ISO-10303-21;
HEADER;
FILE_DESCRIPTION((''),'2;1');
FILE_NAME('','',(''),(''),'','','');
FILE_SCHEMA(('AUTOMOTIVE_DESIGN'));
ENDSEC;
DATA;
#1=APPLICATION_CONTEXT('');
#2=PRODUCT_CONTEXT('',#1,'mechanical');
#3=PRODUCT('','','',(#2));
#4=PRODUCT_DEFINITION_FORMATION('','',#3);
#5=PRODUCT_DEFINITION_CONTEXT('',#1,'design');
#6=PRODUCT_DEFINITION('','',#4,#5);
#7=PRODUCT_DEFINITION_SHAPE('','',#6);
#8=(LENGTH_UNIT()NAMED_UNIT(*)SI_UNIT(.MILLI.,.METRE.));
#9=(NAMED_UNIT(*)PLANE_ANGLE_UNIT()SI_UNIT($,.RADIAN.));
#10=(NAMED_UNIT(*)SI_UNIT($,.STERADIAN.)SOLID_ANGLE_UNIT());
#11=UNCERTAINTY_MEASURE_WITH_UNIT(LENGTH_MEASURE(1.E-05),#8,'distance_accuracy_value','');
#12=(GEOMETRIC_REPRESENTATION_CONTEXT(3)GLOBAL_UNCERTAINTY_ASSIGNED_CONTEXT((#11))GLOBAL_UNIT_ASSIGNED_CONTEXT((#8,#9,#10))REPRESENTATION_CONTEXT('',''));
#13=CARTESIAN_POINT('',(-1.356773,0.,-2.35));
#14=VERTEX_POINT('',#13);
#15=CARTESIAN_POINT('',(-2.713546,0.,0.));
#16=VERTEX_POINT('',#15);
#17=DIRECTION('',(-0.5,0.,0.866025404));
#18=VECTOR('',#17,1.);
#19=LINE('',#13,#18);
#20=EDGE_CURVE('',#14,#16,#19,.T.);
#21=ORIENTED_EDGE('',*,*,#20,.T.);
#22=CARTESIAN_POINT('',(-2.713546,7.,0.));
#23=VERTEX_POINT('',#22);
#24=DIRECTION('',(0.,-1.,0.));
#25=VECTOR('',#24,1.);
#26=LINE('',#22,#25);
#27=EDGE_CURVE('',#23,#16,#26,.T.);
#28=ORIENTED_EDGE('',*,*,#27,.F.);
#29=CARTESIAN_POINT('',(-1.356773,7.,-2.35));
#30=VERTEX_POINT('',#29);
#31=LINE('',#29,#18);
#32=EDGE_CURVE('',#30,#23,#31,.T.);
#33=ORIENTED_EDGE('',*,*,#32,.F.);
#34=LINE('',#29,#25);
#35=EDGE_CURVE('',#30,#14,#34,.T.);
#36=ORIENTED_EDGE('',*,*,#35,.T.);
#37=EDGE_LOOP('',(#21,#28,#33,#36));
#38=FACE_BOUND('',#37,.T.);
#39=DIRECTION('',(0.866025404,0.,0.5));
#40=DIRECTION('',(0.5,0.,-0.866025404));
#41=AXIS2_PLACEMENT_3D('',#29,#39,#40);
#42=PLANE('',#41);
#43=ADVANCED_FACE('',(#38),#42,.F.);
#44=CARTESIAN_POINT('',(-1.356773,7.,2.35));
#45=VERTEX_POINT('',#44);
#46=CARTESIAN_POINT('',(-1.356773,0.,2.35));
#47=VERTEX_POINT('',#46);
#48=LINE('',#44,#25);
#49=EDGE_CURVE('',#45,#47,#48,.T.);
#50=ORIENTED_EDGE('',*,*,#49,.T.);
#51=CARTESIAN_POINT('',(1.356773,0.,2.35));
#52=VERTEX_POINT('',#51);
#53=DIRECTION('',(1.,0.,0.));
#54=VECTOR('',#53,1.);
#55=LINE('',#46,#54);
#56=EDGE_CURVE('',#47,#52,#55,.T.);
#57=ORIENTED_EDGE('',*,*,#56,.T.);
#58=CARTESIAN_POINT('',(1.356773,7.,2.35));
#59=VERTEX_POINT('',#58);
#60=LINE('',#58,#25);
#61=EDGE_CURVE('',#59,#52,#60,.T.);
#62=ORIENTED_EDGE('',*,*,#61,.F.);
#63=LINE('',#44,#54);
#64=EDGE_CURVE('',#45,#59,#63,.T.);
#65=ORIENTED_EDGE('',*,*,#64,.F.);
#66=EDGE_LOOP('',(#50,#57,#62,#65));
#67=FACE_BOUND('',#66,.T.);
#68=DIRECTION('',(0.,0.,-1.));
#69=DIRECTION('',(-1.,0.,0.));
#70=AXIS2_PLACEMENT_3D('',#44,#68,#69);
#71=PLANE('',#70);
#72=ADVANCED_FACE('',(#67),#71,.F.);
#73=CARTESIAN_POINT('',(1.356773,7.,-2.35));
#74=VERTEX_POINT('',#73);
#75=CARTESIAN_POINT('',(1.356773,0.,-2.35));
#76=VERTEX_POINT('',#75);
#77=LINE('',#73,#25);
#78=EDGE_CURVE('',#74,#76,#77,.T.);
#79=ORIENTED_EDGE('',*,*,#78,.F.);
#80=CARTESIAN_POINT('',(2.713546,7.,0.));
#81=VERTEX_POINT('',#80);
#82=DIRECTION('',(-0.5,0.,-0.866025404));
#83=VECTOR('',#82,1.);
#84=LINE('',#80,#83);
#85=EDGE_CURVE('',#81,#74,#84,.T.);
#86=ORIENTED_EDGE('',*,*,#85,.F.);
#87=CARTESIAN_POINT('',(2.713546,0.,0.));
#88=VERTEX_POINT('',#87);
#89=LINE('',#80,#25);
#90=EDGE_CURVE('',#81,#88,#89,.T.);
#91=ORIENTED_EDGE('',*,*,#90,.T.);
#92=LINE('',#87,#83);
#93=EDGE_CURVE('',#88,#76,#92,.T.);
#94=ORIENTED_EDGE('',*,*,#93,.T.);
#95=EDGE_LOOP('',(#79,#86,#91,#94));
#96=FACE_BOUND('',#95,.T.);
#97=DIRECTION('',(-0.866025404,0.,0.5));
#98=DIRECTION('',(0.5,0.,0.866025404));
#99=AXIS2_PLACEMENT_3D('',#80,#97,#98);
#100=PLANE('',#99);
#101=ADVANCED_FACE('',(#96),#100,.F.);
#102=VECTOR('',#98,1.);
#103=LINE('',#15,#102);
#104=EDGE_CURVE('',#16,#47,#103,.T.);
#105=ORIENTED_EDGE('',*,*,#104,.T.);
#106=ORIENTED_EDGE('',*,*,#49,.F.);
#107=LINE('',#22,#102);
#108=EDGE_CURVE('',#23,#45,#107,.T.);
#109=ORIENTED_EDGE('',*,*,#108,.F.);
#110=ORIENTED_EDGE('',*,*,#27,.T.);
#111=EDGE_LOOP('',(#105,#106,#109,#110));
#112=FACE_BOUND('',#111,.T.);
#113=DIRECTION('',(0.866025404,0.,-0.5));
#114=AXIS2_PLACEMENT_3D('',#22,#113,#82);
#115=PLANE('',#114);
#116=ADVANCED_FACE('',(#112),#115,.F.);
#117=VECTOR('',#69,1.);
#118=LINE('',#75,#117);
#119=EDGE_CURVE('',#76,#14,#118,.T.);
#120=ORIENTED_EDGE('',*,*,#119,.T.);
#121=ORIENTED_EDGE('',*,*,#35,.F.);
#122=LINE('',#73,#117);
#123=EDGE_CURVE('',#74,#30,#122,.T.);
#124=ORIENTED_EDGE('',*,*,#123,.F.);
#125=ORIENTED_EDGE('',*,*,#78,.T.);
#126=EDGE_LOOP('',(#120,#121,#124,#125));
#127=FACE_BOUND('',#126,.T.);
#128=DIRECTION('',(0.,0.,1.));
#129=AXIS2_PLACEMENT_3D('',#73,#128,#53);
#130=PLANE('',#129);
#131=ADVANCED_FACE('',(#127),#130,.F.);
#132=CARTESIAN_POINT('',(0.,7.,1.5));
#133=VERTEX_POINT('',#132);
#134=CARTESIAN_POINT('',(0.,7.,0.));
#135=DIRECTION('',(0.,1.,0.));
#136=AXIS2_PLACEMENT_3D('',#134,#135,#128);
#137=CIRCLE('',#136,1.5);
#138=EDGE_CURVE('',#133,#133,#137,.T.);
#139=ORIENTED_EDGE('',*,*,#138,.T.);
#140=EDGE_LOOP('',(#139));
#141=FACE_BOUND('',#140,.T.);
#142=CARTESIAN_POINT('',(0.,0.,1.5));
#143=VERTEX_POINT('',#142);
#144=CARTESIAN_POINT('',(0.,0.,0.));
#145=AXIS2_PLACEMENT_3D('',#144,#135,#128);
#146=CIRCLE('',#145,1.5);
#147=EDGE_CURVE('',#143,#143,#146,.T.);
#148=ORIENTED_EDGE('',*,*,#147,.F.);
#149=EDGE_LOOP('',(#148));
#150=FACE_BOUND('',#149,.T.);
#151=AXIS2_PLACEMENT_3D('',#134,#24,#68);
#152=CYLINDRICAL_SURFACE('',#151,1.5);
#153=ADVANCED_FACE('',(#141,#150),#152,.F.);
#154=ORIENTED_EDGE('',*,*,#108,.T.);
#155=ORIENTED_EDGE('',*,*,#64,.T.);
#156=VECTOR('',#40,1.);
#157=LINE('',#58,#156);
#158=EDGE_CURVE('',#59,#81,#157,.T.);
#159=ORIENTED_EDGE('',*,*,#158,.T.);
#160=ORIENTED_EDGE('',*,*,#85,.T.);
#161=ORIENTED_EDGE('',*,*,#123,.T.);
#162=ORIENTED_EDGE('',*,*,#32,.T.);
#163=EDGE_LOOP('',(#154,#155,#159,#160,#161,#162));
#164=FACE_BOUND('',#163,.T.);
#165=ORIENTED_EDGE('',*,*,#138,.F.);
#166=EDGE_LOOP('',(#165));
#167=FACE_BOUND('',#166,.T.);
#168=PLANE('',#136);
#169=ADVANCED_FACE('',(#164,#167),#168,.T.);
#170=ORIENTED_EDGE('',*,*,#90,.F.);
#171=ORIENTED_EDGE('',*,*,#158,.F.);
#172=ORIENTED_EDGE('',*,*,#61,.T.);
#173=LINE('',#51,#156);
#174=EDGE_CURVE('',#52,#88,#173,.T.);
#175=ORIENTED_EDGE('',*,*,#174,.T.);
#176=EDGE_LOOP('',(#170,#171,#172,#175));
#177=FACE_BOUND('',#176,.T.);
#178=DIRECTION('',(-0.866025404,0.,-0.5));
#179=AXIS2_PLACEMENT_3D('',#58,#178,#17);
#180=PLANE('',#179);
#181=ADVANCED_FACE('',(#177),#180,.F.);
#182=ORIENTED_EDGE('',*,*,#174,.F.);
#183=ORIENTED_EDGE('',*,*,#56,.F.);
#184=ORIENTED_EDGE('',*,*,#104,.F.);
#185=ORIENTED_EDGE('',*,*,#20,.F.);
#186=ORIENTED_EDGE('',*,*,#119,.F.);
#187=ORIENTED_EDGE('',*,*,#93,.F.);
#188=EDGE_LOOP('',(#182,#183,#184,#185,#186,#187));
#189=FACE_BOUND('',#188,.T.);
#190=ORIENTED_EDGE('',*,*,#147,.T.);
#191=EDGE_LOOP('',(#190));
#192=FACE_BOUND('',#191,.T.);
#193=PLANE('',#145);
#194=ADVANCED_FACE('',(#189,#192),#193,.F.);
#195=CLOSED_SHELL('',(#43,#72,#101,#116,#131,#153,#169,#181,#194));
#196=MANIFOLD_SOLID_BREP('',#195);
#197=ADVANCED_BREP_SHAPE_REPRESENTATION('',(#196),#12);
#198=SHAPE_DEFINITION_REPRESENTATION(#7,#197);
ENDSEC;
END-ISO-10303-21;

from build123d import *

# Parameters (mm, degrees)
SKETCH_1_R      = 1.5
EXTRUDE_1_DEPTH = 7


with BuildPart() as part:
    # 草图1 → 凸台-拉伸1 (new body)
    with BuildSketch(Plane(origin=(0, 0, 0), x_dir=(1, 0, 0), z_dir=(0, 1, 0))):
        Polygon((1.356773133, -2.35), (2.713546265, 0), (1.356773133, 2.35), (-1.356773133, 2.35), (-2.713546265, 0), (-1.356773133, -2.35), align=None)
        with Locations(Location((0, 0, 0), (0, 0, 270))):
            Circle(SKETCH_1_R, mode=Mode.SUBTRACT)
    extrude(amount=EXTRUDE_1_DEPTH)


solid = part.part
